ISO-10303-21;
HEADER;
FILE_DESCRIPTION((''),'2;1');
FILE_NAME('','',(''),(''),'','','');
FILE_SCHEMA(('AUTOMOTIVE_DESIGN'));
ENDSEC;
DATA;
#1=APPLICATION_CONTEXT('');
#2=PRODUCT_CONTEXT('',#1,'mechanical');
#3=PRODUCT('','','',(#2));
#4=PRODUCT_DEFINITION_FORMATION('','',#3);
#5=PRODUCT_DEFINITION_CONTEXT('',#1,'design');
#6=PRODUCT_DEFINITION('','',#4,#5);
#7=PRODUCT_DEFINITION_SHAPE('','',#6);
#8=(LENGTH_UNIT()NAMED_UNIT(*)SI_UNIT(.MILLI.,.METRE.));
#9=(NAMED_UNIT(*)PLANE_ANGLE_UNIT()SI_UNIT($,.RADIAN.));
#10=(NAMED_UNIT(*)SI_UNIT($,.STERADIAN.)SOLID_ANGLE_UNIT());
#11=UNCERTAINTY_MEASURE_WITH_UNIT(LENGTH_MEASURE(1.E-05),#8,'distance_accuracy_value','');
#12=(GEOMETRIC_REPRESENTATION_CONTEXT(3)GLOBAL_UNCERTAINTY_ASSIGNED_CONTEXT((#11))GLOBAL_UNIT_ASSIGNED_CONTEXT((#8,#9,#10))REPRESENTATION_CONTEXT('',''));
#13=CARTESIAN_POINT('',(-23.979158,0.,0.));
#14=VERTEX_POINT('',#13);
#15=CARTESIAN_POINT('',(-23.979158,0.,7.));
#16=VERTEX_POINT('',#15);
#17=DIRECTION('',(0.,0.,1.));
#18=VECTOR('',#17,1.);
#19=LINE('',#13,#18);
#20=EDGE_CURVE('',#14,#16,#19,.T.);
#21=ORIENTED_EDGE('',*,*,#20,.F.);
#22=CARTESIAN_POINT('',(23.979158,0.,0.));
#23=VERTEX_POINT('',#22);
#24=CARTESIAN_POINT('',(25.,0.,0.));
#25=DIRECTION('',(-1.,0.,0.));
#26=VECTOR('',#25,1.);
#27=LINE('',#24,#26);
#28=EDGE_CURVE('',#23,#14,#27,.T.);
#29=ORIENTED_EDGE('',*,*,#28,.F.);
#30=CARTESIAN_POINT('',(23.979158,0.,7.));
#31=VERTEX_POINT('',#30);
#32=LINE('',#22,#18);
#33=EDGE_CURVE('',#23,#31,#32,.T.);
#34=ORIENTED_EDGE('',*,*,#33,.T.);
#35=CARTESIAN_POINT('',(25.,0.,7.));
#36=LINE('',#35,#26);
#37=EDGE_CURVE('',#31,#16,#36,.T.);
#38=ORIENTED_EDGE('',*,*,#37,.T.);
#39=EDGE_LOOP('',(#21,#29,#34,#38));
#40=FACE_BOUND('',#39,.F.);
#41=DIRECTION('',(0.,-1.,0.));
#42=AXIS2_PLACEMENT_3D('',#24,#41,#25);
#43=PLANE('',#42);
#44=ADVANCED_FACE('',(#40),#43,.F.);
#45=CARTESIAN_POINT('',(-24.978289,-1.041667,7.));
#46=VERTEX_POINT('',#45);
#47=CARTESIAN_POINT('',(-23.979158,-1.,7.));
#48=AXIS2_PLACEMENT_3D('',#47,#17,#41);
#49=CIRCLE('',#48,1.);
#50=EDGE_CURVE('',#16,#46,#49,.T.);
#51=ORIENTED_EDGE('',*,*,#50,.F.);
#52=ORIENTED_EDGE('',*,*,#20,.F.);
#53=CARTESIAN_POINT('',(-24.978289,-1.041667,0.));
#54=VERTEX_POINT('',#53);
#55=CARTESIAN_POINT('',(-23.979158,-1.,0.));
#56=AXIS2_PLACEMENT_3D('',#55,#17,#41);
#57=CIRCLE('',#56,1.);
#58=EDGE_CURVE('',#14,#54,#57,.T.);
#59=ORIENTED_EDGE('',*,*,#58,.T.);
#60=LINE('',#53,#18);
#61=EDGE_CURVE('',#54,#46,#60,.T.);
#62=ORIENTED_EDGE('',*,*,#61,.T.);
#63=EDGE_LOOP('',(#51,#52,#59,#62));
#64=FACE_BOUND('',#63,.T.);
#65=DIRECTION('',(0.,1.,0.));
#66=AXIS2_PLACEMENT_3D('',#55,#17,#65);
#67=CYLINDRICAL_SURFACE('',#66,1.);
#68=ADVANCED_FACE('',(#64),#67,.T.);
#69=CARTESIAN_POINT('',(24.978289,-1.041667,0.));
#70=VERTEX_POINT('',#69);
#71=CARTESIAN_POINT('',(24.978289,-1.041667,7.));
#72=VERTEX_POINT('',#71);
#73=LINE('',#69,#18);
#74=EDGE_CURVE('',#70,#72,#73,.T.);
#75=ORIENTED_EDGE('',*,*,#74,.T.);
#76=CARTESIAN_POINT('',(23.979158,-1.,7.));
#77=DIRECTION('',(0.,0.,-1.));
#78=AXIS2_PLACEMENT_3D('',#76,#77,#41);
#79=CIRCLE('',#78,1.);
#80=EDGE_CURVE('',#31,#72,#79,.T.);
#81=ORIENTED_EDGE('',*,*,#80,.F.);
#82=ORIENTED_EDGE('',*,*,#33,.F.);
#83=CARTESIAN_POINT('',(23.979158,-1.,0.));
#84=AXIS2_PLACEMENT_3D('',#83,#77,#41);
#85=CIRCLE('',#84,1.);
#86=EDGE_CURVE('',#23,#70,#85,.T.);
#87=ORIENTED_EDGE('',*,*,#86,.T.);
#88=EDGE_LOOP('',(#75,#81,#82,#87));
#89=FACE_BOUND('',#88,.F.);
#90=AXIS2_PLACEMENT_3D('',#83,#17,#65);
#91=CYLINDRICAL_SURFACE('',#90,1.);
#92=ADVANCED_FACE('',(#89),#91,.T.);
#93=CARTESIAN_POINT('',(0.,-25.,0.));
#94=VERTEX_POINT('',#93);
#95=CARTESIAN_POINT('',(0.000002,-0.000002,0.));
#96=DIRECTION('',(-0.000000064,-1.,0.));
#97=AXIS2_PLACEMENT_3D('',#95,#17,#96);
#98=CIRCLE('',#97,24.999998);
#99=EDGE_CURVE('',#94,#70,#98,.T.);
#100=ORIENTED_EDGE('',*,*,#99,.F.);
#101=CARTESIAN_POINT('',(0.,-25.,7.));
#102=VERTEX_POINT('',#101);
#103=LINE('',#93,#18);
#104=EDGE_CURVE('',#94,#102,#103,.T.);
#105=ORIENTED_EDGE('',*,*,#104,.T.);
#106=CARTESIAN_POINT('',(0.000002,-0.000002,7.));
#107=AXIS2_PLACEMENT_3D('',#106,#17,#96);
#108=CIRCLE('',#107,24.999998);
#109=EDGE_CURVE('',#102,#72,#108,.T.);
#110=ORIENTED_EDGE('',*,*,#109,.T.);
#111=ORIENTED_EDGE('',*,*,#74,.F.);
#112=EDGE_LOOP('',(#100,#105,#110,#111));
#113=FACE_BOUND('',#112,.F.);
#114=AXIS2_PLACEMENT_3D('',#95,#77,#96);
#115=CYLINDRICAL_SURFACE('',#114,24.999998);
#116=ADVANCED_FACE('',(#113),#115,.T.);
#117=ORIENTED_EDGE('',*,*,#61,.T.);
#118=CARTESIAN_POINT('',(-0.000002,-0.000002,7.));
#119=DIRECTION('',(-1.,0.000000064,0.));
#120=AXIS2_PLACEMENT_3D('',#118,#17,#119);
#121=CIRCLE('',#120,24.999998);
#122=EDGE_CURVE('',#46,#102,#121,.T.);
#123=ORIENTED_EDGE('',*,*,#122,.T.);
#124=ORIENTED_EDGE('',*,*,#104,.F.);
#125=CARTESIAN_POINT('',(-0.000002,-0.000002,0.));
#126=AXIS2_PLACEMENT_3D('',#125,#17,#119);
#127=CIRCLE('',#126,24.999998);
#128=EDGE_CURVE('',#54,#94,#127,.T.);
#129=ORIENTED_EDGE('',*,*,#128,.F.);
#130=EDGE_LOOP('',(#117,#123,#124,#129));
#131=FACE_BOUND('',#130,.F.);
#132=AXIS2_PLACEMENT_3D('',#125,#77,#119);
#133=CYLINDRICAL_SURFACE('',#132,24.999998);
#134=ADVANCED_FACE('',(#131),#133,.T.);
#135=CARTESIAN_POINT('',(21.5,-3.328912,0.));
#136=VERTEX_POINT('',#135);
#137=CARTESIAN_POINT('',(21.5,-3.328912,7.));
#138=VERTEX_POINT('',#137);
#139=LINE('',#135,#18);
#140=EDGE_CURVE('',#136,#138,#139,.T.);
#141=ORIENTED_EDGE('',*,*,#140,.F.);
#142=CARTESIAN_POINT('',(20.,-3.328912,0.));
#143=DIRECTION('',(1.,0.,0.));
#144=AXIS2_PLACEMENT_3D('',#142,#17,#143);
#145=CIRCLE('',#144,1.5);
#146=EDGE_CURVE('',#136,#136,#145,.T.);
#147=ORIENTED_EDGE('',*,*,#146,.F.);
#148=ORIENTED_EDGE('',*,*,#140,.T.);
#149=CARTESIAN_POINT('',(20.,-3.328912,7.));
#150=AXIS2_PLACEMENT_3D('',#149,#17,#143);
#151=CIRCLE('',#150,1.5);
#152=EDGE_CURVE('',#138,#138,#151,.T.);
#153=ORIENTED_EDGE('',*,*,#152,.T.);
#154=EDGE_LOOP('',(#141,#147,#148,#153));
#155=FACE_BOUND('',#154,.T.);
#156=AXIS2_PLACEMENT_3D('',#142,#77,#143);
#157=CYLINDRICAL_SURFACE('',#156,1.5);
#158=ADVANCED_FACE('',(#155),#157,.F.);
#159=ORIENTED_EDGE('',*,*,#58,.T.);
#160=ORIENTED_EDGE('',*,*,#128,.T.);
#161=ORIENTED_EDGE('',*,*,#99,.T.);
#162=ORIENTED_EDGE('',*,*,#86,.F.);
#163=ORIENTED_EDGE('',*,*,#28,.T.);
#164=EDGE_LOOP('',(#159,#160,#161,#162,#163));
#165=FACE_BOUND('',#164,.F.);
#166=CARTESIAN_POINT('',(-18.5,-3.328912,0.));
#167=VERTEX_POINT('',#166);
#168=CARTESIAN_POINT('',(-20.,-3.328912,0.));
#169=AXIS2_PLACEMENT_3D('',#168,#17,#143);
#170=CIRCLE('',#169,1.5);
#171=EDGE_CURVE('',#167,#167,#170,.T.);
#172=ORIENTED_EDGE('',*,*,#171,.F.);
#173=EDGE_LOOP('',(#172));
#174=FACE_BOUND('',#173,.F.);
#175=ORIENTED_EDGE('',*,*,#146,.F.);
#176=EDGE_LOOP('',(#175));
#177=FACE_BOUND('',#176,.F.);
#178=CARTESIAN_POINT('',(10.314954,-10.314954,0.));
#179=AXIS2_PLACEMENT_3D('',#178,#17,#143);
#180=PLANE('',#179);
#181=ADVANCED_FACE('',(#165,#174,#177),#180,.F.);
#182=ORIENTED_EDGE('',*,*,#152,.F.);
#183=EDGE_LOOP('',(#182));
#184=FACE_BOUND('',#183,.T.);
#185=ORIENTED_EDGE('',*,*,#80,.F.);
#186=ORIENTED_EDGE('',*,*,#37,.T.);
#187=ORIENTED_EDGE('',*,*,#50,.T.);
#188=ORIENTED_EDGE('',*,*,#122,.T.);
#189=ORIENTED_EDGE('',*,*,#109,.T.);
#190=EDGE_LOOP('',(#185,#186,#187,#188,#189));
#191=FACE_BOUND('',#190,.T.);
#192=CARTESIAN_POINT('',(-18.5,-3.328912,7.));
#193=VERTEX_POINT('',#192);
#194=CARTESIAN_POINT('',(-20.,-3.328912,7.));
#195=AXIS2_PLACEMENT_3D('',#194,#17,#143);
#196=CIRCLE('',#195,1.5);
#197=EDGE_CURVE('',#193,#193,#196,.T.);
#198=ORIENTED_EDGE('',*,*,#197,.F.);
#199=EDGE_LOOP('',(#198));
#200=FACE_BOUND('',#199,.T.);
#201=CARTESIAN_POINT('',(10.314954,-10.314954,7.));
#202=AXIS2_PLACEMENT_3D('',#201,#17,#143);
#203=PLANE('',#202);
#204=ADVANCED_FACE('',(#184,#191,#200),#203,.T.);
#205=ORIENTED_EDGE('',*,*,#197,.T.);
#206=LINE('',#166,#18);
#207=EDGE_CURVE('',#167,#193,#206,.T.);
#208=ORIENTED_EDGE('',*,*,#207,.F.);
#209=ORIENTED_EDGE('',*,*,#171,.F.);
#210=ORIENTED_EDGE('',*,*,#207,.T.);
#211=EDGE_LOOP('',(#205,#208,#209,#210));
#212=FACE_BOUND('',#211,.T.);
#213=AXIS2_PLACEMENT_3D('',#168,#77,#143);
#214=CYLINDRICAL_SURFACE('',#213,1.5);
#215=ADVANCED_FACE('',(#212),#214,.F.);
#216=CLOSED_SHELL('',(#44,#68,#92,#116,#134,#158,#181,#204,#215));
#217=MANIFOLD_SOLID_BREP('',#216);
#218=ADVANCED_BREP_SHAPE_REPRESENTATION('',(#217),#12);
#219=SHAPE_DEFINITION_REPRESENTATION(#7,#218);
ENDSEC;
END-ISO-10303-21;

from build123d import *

# Parameters (mm, degrees)
F0_R     = 1.5
F1_DEPTH = 7
F2_R     = 1


with BuildPart() as f1:
    # F0 (on Top) → F1 (new body)
    with BuildSketch(Plane.XY):
        with BuildLine():
            Line((25, 0), (0, 0))
            Line((0, 0), (0, -25))
            ThreePointArc((0, -25), (17.67767, -17.67767), (25, 0))
        make_face()
        with Locations((20, -3.328912)):
            Circle(F0_R, mode=Mode.SUBTRACT)
        with BuildLine():
            Line((0, -25), (0, 0))
            Line((0, 0), (-25, 0))
            ThreePointArc((-25, 0), (-17.67767, -17.67767), (0, -25))
        make_face()
        with Locations((-20, -3.328912)):
            Circle(F0_R, mode=Mode.SUBTRACT)
    extrude(amount=F1_DEPTH)

    # F2
    f2_edges = [f1.edges().sort_by_distance(p)[0] for p in [
        (25, 0, 3.5),
        (-25, 0, 3.5),
    ]]
    fillet(f2_edges, radius=F2_R)


solid = f1.part
